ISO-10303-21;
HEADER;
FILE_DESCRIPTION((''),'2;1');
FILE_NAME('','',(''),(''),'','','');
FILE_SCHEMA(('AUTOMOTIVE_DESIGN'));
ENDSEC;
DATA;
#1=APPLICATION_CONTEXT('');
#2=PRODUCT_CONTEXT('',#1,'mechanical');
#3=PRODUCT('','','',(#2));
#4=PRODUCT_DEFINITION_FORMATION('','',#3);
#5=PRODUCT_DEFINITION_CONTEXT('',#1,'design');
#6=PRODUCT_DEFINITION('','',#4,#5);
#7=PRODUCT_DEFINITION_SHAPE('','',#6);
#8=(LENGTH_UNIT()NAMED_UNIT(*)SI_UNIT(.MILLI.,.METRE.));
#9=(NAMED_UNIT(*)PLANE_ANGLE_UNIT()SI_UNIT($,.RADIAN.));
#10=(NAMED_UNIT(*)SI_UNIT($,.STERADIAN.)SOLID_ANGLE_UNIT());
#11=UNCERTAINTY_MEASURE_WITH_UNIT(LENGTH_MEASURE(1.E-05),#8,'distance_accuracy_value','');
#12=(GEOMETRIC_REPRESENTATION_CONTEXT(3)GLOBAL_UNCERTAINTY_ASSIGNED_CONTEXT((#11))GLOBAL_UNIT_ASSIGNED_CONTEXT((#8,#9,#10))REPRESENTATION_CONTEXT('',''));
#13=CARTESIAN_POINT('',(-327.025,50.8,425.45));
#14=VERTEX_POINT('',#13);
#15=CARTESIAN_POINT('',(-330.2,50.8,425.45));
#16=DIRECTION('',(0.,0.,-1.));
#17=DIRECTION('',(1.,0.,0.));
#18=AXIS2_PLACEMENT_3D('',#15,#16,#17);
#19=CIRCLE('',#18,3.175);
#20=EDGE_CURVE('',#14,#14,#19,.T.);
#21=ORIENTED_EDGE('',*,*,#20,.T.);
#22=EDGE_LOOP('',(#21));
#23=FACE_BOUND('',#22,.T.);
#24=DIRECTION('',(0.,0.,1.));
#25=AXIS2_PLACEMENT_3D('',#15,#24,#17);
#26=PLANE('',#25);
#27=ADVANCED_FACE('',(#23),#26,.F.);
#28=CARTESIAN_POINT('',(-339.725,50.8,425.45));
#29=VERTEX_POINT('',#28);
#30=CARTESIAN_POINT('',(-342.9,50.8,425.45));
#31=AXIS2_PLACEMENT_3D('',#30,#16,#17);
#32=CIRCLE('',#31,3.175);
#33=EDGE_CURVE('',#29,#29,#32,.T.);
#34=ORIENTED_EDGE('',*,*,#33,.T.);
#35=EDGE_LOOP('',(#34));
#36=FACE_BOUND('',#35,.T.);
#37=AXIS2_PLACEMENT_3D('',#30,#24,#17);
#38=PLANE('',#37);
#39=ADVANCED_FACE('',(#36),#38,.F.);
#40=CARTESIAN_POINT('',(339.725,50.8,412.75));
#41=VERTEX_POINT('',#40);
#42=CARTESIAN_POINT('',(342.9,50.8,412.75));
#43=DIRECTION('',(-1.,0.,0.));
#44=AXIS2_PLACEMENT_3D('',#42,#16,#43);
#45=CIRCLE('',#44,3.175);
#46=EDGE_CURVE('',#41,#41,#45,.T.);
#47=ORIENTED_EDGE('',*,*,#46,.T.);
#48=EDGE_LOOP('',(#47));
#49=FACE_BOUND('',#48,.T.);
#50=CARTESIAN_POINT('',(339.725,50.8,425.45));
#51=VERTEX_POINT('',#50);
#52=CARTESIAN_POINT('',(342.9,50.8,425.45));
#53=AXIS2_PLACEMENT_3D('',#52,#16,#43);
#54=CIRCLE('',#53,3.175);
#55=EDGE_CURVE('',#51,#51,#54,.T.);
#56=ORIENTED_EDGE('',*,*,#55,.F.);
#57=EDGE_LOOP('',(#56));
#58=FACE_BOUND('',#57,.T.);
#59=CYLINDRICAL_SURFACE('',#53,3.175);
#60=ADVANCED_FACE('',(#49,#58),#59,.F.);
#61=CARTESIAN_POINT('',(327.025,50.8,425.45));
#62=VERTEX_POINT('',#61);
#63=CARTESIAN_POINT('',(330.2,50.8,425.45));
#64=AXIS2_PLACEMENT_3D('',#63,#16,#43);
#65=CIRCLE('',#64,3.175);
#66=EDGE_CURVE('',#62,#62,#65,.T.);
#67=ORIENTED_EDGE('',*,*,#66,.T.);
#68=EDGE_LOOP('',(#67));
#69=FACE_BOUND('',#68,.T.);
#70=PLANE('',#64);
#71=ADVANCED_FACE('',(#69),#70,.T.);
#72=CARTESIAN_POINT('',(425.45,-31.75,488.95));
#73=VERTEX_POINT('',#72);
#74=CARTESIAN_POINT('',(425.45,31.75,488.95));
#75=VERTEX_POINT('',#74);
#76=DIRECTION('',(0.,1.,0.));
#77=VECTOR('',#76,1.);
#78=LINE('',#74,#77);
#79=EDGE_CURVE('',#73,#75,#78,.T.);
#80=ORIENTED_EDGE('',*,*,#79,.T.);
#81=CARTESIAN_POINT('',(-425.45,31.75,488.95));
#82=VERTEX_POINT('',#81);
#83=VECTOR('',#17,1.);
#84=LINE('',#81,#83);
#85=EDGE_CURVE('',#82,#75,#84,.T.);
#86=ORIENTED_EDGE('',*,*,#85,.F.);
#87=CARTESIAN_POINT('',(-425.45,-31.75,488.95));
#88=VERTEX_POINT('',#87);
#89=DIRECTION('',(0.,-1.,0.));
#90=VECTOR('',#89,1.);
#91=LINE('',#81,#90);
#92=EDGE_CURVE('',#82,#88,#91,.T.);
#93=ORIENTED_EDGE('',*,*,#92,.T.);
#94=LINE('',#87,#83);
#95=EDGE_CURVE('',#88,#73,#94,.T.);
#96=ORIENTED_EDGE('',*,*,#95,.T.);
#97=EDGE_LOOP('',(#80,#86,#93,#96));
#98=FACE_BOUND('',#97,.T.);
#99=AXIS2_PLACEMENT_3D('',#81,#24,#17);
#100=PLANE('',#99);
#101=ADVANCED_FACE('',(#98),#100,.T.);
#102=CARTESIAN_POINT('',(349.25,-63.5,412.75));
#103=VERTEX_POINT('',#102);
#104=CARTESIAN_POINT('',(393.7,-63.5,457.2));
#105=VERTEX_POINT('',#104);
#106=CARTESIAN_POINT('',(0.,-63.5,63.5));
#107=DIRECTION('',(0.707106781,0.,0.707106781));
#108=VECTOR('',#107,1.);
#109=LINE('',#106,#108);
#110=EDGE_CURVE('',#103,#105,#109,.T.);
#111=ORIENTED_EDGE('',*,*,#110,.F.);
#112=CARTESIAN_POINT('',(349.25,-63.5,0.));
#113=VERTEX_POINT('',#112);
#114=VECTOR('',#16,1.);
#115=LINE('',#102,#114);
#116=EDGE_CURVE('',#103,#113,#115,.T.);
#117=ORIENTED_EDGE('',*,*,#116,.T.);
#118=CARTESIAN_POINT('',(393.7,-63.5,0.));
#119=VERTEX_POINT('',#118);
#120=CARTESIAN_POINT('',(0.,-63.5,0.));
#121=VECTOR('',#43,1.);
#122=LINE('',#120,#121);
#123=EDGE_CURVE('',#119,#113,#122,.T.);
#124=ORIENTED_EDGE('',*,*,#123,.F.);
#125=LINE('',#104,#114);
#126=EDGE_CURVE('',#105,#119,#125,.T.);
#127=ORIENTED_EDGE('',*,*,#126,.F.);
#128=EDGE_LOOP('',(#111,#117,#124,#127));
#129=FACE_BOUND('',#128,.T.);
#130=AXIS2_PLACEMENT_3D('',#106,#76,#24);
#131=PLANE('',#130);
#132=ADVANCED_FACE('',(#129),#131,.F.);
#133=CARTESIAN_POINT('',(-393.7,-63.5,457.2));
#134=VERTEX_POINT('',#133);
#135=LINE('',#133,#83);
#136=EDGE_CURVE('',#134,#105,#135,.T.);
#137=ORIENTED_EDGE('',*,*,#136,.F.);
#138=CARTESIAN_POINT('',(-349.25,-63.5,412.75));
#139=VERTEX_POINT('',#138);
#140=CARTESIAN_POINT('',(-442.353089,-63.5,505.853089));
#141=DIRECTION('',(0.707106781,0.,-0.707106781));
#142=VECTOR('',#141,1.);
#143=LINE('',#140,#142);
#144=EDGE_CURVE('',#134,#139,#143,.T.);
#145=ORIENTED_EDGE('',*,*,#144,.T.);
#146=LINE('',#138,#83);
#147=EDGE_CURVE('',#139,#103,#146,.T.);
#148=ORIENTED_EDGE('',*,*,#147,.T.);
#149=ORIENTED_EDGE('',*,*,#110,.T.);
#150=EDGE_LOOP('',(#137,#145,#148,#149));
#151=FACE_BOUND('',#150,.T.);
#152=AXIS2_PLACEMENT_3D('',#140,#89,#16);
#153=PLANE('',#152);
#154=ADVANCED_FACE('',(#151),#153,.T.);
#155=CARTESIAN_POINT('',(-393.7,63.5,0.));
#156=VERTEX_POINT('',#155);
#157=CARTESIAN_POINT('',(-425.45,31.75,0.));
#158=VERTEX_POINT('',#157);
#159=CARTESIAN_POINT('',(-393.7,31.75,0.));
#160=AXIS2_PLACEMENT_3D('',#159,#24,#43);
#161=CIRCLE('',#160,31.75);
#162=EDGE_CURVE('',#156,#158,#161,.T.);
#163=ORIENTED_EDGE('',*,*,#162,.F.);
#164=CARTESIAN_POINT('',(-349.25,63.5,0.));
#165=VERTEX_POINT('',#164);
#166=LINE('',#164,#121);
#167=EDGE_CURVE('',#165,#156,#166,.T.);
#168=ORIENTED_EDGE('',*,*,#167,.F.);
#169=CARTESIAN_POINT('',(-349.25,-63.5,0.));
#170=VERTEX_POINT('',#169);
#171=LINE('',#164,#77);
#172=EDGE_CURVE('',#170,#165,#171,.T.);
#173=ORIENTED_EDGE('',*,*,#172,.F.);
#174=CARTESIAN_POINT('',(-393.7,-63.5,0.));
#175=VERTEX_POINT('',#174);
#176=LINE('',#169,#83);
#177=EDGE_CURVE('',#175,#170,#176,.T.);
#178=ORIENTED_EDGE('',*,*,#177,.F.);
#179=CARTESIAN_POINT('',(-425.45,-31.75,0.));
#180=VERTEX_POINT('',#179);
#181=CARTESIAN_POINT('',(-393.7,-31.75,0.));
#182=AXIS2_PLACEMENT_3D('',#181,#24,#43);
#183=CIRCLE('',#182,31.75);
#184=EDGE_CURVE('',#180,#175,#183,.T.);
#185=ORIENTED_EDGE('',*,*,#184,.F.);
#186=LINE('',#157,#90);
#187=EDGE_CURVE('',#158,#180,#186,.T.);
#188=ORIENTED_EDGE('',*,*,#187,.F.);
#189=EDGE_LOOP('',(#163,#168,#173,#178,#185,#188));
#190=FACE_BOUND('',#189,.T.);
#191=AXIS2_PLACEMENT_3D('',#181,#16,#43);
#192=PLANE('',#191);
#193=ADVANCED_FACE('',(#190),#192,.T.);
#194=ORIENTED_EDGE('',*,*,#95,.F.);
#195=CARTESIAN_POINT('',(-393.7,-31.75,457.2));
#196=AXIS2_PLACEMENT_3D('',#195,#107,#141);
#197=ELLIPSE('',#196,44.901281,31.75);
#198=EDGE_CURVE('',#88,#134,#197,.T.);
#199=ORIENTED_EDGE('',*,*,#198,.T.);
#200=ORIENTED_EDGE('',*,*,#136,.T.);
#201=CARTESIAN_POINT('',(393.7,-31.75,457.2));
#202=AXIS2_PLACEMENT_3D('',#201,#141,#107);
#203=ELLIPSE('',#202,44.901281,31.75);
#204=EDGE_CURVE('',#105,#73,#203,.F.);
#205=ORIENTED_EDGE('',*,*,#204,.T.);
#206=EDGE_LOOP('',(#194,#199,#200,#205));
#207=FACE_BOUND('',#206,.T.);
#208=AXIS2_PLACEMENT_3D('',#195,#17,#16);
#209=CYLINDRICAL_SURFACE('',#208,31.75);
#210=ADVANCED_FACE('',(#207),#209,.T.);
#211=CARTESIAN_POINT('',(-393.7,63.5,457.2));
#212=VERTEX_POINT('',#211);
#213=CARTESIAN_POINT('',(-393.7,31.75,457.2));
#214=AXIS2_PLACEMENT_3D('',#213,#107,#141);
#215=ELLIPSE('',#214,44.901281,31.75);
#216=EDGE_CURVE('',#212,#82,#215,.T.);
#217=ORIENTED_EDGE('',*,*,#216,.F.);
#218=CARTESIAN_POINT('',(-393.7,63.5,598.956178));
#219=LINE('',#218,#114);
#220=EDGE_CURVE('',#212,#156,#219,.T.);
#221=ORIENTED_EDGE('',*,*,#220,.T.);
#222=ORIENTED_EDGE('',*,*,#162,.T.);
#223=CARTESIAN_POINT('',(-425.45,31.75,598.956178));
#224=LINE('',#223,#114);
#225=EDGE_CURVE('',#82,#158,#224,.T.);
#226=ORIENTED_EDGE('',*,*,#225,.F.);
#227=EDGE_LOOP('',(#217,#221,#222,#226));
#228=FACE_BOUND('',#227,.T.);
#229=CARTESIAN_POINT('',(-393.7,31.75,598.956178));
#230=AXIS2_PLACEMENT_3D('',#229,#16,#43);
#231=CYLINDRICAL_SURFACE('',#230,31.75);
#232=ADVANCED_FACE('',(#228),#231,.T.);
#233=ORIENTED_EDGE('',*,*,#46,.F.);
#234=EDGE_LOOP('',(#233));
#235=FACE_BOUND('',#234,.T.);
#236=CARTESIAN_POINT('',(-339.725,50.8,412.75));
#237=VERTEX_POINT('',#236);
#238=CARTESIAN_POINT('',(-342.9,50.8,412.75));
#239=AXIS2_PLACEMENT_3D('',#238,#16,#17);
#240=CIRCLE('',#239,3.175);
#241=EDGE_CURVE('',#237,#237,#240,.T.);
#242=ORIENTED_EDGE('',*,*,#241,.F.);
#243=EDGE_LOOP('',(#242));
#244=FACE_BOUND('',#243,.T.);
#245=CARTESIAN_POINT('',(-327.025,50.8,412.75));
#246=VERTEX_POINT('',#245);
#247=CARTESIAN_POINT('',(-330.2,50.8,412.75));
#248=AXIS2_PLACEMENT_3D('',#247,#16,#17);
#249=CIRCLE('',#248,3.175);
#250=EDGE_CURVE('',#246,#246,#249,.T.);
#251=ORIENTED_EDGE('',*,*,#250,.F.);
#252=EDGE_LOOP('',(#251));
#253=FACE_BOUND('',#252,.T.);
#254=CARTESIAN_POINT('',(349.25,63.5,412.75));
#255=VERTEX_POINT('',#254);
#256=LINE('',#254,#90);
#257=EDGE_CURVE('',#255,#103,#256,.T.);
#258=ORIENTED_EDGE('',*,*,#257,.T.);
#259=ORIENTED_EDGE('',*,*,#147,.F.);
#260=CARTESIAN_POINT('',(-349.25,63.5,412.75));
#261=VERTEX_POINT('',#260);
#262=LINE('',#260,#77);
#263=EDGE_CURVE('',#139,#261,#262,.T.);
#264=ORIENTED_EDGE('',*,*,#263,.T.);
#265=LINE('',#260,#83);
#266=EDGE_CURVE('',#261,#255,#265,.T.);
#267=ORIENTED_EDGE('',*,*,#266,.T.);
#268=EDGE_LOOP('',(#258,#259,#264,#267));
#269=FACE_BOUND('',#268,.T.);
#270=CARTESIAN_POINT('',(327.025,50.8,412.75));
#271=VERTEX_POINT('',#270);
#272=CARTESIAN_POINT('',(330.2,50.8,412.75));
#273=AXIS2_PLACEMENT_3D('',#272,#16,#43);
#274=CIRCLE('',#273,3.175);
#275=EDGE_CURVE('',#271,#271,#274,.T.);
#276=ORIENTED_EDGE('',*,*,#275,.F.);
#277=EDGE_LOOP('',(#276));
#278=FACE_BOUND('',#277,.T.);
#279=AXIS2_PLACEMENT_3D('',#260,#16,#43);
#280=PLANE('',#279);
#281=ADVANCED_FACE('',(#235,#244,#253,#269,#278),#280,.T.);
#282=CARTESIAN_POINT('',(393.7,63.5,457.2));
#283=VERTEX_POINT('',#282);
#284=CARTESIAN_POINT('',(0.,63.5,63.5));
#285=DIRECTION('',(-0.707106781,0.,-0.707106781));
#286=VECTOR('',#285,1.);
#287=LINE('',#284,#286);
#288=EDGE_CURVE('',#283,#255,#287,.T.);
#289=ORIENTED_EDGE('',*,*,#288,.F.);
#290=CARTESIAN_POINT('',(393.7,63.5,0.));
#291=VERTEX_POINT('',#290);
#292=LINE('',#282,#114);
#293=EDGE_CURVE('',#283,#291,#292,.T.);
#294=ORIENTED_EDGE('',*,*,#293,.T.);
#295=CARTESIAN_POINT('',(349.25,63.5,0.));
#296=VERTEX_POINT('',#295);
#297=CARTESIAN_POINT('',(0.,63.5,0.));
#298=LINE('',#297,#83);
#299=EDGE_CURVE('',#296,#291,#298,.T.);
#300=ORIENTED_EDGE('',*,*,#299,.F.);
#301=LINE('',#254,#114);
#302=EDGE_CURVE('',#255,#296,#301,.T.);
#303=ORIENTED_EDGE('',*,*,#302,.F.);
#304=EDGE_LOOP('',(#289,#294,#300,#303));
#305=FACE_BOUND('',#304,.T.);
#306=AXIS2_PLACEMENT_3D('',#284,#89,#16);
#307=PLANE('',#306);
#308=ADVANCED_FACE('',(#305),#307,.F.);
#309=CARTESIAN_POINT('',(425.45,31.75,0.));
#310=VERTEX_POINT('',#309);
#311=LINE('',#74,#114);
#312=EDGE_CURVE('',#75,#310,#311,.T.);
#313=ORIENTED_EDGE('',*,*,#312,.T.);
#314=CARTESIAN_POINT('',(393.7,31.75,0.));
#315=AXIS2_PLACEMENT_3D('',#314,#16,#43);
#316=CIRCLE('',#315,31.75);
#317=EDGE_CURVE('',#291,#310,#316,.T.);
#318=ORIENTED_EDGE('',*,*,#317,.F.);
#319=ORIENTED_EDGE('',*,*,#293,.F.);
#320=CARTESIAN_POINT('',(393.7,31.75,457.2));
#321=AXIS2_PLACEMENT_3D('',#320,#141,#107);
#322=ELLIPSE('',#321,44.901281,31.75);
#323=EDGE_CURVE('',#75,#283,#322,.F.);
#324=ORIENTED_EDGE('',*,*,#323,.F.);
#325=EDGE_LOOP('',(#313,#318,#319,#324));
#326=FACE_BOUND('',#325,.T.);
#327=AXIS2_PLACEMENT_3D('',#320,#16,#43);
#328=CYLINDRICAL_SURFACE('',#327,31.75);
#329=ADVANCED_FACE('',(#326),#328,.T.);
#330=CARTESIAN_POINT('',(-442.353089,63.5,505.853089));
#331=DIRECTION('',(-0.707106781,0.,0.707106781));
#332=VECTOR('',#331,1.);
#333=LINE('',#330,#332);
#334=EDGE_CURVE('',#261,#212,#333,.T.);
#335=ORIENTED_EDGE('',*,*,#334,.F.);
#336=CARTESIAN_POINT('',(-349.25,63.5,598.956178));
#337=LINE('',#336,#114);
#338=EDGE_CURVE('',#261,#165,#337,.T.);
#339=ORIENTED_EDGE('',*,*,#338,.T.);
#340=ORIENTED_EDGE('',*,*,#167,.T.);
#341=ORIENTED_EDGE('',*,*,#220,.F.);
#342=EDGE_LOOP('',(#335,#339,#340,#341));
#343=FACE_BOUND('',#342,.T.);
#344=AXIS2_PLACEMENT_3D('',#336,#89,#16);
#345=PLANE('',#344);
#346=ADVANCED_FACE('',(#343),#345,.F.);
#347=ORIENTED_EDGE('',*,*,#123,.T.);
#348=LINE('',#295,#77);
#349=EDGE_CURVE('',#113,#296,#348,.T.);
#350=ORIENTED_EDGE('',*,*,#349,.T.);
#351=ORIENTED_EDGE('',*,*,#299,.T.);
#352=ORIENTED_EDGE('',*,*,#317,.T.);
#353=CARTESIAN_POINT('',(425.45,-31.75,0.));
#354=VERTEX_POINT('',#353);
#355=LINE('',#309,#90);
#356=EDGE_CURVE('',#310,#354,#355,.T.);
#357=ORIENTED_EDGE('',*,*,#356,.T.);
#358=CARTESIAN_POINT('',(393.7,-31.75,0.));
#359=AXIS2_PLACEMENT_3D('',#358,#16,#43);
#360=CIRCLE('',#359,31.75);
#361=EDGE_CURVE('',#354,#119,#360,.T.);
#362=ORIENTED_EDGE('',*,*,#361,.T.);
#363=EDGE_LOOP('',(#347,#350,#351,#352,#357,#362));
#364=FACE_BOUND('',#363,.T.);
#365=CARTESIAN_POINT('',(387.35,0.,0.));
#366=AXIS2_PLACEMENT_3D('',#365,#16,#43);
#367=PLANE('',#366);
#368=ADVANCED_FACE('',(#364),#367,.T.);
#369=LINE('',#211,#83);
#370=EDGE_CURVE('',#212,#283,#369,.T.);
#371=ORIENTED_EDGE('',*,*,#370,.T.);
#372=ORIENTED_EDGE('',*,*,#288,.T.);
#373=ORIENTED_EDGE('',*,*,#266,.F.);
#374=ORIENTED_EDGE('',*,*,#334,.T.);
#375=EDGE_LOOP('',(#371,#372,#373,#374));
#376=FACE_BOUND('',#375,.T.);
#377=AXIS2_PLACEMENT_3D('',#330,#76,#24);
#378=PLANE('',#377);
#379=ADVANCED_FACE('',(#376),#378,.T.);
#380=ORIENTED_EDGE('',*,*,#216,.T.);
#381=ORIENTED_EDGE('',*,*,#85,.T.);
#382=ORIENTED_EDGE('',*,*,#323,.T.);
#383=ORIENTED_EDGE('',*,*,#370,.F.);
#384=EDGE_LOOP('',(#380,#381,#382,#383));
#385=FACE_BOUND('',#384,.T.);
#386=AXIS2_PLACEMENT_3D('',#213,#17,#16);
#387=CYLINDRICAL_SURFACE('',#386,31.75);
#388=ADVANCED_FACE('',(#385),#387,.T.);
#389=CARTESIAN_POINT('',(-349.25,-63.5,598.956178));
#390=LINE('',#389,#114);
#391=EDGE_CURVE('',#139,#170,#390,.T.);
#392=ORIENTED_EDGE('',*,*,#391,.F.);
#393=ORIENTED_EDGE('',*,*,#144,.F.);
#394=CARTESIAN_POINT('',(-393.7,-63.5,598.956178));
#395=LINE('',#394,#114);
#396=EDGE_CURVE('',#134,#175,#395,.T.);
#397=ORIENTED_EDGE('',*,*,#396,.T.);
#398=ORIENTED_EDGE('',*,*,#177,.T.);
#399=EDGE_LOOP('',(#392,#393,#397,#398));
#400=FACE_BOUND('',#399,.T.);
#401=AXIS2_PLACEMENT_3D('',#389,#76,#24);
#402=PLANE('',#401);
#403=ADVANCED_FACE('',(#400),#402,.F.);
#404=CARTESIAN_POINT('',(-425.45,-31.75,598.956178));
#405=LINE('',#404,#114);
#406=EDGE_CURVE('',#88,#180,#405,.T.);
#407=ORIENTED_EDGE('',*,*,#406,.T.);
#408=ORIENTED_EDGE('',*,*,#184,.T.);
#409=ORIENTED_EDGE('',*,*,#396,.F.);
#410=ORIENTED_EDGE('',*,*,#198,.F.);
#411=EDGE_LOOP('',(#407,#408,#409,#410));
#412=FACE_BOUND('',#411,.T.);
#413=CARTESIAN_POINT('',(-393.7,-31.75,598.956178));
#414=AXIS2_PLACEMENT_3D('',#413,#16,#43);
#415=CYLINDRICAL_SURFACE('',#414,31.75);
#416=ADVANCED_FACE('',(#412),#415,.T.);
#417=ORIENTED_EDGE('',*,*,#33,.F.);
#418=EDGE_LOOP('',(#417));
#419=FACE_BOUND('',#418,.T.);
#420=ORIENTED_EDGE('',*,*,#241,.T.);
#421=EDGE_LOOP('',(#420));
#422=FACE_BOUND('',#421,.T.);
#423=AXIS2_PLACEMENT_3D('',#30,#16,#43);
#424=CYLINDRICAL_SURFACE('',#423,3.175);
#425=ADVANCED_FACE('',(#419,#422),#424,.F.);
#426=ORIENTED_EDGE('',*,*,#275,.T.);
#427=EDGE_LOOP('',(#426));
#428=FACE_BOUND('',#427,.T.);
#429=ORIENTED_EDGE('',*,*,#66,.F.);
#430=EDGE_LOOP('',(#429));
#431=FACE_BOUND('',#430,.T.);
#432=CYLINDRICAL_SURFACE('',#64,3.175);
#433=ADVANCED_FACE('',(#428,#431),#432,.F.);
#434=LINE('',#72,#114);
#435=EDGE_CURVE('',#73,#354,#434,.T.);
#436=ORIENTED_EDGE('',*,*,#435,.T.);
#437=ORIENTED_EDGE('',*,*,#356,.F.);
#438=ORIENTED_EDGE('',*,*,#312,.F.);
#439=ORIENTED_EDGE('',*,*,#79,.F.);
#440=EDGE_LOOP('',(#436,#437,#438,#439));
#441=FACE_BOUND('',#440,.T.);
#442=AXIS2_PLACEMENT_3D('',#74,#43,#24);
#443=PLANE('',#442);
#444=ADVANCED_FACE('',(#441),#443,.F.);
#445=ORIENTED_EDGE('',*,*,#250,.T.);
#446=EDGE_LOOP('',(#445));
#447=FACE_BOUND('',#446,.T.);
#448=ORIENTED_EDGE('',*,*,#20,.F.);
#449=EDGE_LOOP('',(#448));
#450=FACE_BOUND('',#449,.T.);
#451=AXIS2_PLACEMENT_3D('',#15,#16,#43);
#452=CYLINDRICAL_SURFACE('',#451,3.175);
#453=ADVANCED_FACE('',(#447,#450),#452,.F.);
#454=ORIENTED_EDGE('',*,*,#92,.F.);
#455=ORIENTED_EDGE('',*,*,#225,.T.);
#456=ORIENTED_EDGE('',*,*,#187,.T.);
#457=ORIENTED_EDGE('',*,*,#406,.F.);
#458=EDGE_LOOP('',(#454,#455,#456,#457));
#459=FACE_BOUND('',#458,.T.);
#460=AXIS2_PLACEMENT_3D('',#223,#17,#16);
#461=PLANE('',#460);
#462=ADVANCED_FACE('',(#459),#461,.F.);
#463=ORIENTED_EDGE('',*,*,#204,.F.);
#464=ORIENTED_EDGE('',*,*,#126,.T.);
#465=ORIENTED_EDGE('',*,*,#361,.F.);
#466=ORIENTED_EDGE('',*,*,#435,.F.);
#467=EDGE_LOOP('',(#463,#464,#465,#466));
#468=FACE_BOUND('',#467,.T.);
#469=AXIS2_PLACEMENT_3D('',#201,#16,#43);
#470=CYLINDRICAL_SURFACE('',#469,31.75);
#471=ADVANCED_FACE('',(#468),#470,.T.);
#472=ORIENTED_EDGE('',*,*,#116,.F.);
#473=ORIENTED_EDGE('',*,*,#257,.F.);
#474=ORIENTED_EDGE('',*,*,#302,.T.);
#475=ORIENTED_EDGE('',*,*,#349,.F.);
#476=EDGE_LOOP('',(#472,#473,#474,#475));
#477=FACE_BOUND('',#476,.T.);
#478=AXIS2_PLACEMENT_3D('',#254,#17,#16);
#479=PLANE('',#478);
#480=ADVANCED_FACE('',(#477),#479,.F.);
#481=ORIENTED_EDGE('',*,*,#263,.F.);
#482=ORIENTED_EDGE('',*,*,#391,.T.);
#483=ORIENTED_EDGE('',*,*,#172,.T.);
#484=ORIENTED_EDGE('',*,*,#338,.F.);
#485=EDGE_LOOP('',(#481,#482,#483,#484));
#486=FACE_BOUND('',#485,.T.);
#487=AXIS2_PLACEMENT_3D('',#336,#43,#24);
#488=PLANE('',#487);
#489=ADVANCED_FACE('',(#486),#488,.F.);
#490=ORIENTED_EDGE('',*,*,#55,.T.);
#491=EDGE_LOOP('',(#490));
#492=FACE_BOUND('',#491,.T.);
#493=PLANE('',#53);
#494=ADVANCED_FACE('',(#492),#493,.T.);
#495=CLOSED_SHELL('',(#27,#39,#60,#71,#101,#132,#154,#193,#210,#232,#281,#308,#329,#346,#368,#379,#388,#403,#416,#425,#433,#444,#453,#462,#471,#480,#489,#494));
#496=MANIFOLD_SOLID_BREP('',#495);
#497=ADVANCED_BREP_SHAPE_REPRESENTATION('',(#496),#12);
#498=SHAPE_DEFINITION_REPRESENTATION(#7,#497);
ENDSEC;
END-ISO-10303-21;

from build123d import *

# Parameters (mm, degrees)
SKETCH4_R          = 3.175
CUT_EXTRUDE1_DEPTH = 12.7


with BuildPart() as part:
    # Sweep1: sweep along a path in Sketch3
    with BuildLine(Plane(origin=(0, 0, 0), x_dir=(1, 0, 0), z_dir=(0, 1, 0))) as sweep1_path:
        Line((349.25, 0), (349.25, -412.75))
        Line((349.25, -412.75), (-349.25, -412.75))
        Line((-349.25, -412.75), (-349.25, 0))
    # Sketch2 → Sweep1 (sweep)
    with BuildSketch(Plane.XY):
        with BuildLine():
            Line((-349.25, 63.5), (-393.7, 63.5))
            ThreePointArc((-393.7, 63.5), (-416.150640303, 54.200640303), (-425.45, 31.75))
            Line((-425.45, 31.75), (-425.45, -31.75))
            ThreePointArc((-425.45, -31.75), (-416.150640303, -54.200640303), (-393.7, -63.5))
            Line((-393.7, -63.5), (-349.25, -63.5))
            Line((-349.25, -63.5), (-349.25, 63.5))
        make_face()
    sweep(path=sweep1_path.line, transition=Transition.RIGHT)

    # Sketch4 → Cut-Extrude1 (cut)
    with BuildSketch(Plane(origin=(0, 0, 412.75), x_dir=(-1, 0, 0), z_dir=(0, 0, -1))):
        with Locations((-342.9, 50.8)):
            Circle(SKETCH4_R)
        with Locations((-330.2, 50.8)):
            Circle(SKETCH4_R)
        with Locations(Location((330.2, 50.8, 0), (0, 0, 180))):
            Circle(SKETCH4_R)
        with Locations(Location((342.9, 50.8, 0), (0, 0, 180))):
            Circle(SKETCH4_R)
    extrude(amount=-CUT_EXTRUDE1_DEPTH, mode=Mode.SUBTRACT)


solid = part.part
